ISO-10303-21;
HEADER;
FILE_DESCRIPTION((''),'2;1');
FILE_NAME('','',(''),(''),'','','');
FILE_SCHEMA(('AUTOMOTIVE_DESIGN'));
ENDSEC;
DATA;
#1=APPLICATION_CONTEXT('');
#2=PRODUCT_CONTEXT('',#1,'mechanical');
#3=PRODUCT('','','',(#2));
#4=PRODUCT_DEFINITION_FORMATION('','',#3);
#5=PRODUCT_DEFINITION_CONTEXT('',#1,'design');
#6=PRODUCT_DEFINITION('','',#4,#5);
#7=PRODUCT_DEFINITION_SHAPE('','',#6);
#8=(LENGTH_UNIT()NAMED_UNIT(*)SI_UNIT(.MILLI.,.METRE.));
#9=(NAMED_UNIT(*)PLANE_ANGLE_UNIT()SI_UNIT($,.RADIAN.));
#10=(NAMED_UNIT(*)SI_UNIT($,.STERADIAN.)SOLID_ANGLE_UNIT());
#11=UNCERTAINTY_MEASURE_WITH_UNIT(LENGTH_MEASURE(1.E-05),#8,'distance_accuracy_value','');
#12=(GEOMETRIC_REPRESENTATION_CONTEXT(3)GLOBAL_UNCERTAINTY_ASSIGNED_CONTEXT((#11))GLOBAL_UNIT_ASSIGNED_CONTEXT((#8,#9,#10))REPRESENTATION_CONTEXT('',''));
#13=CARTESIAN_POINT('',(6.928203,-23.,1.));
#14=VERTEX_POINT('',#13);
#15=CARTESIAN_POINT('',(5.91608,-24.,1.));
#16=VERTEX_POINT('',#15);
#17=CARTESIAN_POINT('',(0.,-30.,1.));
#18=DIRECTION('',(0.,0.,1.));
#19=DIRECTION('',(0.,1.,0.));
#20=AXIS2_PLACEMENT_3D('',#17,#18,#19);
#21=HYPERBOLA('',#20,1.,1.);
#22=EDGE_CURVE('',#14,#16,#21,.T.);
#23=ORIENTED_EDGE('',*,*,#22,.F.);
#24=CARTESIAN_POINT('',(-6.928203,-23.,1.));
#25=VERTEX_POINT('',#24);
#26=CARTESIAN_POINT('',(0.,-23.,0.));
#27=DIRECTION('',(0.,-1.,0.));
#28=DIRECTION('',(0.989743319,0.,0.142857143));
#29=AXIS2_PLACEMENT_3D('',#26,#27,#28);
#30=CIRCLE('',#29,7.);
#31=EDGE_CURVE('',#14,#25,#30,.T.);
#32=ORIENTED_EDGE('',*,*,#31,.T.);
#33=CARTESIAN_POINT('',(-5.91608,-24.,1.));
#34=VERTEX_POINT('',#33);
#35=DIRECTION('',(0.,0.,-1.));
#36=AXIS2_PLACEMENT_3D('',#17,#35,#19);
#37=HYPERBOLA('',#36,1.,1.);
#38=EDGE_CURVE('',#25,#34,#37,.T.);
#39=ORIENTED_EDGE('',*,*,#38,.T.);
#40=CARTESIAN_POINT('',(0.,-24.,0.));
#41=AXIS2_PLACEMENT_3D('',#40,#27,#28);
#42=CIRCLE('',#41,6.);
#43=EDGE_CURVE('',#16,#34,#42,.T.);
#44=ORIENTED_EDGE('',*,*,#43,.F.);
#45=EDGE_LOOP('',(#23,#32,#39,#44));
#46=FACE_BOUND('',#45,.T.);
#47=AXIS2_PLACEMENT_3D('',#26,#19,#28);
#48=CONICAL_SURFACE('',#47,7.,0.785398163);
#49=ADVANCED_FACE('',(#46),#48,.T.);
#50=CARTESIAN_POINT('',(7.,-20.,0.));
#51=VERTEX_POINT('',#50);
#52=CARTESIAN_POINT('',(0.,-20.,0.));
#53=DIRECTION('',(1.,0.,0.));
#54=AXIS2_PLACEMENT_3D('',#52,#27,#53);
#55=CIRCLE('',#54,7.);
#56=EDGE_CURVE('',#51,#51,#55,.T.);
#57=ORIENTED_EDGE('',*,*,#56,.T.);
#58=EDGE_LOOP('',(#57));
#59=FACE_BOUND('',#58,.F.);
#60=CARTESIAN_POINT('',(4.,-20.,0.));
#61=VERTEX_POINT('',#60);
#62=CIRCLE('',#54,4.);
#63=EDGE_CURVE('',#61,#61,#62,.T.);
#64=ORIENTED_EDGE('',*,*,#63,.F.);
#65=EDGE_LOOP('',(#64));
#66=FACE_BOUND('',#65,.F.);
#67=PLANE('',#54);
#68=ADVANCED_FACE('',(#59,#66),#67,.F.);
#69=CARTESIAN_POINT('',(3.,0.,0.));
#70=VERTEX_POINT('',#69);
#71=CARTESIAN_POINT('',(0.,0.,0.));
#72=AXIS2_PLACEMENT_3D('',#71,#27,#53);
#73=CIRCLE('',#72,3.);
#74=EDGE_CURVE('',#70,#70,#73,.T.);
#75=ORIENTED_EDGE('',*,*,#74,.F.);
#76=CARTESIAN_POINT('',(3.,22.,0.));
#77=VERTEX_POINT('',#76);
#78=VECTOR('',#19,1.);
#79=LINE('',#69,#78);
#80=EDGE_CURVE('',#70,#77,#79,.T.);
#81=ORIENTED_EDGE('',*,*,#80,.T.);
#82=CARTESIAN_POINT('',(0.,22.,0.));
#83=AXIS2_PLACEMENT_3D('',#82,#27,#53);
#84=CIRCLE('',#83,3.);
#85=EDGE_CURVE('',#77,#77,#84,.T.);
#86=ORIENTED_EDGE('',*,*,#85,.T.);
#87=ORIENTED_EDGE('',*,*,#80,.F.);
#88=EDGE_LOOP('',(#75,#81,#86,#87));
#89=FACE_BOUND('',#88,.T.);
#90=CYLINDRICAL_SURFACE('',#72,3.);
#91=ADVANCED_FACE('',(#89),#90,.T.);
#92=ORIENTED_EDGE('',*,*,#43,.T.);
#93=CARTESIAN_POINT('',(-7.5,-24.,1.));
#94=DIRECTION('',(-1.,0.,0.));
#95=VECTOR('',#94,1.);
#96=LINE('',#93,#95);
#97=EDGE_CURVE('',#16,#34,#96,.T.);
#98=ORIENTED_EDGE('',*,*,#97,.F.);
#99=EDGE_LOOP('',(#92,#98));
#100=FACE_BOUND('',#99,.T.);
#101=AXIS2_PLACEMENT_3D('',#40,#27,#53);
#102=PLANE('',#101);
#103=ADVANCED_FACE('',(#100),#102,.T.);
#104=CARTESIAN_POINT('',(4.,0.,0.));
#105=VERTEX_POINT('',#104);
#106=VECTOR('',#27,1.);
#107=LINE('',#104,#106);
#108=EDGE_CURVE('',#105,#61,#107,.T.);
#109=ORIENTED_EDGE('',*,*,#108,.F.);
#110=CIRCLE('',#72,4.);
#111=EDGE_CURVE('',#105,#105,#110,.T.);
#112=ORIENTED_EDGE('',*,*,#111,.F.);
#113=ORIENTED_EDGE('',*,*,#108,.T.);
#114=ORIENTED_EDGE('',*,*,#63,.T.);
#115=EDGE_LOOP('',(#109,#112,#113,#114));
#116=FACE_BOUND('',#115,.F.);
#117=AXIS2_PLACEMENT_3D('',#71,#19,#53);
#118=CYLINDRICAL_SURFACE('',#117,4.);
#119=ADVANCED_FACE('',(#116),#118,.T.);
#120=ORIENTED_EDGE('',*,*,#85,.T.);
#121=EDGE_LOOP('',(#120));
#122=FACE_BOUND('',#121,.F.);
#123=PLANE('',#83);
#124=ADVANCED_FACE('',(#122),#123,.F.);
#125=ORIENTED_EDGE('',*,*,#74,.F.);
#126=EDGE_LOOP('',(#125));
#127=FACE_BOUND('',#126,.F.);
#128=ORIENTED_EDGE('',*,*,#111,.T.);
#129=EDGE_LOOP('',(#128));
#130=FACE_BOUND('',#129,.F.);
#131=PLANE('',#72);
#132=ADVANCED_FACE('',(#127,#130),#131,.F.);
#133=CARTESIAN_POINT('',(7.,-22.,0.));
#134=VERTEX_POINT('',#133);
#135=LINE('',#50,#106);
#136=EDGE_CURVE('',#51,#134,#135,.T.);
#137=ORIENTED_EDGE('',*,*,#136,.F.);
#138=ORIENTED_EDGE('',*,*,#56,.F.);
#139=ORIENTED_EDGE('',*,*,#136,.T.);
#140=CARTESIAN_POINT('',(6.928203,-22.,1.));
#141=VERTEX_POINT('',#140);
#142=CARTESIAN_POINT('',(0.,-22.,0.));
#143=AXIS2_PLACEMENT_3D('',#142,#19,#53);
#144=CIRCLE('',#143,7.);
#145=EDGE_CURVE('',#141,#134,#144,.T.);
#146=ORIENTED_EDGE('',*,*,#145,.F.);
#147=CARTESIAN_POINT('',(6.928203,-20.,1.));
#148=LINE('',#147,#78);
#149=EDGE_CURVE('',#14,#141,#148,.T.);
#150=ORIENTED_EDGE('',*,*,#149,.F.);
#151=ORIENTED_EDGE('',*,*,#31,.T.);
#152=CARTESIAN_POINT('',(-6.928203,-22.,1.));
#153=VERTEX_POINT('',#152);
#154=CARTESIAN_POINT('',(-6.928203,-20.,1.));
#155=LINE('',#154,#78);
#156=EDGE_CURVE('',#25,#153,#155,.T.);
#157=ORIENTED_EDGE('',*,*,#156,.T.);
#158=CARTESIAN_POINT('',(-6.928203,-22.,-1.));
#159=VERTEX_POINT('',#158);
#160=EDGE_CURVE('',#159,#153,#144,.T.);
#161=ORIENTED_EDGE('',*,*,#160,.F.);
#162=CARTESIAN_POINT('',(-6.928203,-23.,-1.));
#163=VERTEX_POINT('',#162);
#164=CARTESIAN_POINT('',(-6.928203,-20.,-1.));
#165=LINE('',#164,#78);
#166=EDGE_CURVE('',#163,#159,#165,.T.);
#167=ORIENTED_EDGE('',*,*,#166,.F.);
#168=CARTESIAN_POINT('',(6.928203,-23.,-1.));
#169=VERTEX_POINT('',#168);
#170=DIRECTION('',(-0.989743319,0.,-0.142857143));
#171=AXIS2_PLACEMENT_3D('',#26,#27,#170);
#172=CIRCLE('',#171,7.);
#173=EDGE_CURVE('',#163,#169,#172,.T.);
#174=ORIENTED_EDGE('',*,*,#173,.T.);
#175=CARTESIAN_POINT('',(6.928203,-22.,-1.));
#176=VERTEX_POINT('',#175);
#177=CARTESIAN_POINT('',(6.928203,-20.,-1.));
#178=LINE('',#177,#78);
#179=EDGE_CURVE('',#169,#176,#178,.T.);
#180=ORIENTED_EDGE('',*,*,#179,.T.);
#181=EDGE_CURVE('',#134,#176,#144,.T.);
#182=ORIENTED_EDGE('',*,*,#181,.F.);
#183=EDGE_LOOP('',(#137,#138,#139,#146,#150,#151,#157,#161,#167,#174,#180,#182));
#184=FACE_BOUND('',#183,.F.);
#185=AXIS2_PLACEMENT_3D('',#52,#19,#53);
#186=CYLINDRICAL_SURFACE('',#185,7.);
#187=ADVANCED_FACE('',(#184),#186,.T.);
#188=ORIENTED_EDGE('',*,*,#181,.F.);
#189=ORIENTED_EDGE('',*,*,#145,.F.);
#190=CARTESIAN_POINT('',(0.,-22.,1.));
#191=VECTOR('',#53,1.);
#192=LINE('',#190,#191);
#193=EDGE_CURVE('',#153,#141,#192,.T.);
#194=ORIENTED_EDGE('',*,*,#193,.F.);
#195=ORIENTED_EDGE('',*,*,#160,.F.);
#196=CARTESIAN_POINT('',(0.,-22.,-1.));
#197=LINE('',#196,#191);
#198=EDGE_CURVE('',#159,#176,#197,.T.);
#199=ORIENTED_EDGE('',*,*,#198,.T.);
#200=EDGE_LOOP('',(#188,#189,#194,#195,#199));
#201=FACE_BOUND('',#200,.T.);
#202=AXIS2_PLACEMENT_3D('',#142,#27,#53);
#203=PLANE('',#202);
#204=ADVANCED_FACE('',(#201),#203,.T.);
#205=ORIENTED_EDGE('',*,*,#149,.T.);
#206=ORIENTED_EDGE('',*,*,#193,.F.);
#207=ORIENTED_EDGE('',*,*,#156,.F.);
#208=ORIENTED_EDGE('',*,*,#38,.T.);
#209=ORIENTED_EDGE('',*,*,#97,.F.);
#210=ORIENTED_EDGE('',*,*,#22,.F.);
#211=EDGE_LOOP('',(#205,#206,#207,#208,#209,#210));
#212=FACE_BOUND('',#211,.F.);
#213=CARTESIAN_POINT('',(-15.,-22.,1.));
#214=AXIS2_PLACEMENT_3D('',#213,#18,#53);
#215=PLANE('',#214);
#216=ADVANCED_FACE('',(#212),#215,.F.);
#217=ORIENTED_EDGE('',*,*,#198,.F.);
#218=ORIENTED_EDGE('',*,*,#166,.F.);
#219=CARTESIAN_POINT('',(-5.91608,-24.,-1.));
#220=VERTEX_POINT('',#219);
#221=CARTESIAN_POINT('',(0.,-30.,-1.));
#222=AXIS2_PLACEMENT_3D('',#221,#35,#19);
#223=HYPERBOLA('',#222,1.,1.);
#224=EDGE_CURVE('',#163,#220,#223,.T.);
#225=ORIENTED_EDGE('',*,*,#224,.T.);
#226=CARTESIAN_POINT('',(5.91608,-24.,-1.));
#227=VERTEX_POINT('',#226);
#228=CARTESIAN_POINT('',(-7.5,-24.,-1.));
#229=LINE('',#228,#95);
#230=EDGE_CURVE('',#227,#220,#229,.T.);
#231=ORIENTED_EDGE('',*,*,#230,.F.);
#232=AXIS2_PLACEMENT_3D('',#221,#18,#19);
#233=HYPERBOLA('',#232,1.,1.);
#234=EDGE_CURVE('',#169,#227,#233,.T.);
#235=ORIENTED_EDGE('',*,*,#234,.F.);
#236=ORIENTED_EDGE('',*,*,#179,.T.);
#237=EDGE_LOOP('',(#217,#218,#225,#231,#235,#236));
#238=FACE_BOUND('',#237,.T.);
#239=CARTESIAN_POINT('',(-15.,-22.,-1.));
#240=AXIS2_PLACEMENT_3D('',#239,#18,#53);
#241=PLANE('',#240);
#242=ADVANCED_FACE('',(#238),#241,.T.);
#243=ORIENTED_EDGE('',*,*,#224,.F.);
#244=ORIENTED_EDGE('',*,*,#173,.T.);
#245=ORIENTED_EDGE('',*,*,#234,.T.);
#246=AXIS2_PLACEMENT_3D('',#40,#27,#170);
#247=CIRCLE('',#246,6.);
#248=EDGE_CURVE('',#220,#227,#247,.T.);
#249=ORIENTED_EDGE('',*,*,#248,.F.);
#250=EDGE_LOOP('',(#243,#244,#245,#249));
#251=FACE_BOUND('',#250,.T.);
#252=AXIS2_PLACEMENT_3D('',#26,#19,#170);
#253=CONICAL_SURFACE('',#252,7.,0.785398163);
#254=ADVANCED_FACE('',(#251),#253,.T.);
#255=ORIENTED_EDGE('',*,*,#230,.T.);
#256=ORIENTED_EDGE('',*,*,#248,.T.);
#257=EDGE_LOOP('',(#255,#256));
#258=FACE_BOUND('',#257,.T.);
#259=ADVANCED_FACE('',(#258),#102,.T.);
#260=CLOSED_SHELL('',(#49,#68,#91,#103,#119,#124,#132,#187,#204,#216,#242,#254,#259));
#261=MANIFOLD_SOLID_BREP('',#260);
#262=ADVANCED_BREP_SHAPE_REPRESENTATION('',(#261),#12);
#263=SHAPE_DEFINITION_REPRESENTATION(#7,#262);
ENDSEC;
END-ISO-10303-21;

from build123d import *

# Parameters (mm, degrees)
F0_R          = 3
F1_DEPTH      = 22
F1_DEPTH_BACK = 24
F0_R_2        = 4
F2_DEPTH      = 24
F3_START      = 20
F0_R_3        = 7
F3_DEPTH      = 4
F5_START      = 22
F4_W          = 30
F4_H          = 2
F5_DEPTH      = 3
F6_SIZE       = 1


with BuildPart() as f1:
    # F0 (on Front) → F1 (new body, two sides)
    with BuildSketch(Plane.XZ) as f1_sk:
        Circle(F0_R)
    extrude(amount=-F1_DEPTH)
    extrude(f1_sk.sketch, amount=F1_DEPTH_BACK)

    # F0 (on Front) → F2 (join)
    with BuildSketch(Plane.XZ):
        Circle(F0_R_2)
        Circle(F0_R, mode=Mode.SUBTRACT)
    extrude(amount=F2_DEPTH)

    # F0 (on Front) → F3 (join)
    with BuildSketch(Plane.XZ.offset(F3_START)):
        Circle(F0_R_3)
        Circle(F0_R_2, mode=Mode.SUBTRACT)
    extrude(amount=F3_DEPTH)

    # F4 (on Front) → F5 (cut)
    with BuildSketch(Plane.XZ.offset(F5_START)):
        Rectangle(F4_W, F4_H)
    extrude(amount=F5_DEPTH, mode=Mode.SUBTRACT)

    # F6
    f6_edges = [f1.edges().sort_by_distance(p)[0] for p in [
        (0, -24, 7),
        (0, -24, -7),
    ]]
    chamfer(f6_edges, length=F6_SIZE)


solid = f1.part
